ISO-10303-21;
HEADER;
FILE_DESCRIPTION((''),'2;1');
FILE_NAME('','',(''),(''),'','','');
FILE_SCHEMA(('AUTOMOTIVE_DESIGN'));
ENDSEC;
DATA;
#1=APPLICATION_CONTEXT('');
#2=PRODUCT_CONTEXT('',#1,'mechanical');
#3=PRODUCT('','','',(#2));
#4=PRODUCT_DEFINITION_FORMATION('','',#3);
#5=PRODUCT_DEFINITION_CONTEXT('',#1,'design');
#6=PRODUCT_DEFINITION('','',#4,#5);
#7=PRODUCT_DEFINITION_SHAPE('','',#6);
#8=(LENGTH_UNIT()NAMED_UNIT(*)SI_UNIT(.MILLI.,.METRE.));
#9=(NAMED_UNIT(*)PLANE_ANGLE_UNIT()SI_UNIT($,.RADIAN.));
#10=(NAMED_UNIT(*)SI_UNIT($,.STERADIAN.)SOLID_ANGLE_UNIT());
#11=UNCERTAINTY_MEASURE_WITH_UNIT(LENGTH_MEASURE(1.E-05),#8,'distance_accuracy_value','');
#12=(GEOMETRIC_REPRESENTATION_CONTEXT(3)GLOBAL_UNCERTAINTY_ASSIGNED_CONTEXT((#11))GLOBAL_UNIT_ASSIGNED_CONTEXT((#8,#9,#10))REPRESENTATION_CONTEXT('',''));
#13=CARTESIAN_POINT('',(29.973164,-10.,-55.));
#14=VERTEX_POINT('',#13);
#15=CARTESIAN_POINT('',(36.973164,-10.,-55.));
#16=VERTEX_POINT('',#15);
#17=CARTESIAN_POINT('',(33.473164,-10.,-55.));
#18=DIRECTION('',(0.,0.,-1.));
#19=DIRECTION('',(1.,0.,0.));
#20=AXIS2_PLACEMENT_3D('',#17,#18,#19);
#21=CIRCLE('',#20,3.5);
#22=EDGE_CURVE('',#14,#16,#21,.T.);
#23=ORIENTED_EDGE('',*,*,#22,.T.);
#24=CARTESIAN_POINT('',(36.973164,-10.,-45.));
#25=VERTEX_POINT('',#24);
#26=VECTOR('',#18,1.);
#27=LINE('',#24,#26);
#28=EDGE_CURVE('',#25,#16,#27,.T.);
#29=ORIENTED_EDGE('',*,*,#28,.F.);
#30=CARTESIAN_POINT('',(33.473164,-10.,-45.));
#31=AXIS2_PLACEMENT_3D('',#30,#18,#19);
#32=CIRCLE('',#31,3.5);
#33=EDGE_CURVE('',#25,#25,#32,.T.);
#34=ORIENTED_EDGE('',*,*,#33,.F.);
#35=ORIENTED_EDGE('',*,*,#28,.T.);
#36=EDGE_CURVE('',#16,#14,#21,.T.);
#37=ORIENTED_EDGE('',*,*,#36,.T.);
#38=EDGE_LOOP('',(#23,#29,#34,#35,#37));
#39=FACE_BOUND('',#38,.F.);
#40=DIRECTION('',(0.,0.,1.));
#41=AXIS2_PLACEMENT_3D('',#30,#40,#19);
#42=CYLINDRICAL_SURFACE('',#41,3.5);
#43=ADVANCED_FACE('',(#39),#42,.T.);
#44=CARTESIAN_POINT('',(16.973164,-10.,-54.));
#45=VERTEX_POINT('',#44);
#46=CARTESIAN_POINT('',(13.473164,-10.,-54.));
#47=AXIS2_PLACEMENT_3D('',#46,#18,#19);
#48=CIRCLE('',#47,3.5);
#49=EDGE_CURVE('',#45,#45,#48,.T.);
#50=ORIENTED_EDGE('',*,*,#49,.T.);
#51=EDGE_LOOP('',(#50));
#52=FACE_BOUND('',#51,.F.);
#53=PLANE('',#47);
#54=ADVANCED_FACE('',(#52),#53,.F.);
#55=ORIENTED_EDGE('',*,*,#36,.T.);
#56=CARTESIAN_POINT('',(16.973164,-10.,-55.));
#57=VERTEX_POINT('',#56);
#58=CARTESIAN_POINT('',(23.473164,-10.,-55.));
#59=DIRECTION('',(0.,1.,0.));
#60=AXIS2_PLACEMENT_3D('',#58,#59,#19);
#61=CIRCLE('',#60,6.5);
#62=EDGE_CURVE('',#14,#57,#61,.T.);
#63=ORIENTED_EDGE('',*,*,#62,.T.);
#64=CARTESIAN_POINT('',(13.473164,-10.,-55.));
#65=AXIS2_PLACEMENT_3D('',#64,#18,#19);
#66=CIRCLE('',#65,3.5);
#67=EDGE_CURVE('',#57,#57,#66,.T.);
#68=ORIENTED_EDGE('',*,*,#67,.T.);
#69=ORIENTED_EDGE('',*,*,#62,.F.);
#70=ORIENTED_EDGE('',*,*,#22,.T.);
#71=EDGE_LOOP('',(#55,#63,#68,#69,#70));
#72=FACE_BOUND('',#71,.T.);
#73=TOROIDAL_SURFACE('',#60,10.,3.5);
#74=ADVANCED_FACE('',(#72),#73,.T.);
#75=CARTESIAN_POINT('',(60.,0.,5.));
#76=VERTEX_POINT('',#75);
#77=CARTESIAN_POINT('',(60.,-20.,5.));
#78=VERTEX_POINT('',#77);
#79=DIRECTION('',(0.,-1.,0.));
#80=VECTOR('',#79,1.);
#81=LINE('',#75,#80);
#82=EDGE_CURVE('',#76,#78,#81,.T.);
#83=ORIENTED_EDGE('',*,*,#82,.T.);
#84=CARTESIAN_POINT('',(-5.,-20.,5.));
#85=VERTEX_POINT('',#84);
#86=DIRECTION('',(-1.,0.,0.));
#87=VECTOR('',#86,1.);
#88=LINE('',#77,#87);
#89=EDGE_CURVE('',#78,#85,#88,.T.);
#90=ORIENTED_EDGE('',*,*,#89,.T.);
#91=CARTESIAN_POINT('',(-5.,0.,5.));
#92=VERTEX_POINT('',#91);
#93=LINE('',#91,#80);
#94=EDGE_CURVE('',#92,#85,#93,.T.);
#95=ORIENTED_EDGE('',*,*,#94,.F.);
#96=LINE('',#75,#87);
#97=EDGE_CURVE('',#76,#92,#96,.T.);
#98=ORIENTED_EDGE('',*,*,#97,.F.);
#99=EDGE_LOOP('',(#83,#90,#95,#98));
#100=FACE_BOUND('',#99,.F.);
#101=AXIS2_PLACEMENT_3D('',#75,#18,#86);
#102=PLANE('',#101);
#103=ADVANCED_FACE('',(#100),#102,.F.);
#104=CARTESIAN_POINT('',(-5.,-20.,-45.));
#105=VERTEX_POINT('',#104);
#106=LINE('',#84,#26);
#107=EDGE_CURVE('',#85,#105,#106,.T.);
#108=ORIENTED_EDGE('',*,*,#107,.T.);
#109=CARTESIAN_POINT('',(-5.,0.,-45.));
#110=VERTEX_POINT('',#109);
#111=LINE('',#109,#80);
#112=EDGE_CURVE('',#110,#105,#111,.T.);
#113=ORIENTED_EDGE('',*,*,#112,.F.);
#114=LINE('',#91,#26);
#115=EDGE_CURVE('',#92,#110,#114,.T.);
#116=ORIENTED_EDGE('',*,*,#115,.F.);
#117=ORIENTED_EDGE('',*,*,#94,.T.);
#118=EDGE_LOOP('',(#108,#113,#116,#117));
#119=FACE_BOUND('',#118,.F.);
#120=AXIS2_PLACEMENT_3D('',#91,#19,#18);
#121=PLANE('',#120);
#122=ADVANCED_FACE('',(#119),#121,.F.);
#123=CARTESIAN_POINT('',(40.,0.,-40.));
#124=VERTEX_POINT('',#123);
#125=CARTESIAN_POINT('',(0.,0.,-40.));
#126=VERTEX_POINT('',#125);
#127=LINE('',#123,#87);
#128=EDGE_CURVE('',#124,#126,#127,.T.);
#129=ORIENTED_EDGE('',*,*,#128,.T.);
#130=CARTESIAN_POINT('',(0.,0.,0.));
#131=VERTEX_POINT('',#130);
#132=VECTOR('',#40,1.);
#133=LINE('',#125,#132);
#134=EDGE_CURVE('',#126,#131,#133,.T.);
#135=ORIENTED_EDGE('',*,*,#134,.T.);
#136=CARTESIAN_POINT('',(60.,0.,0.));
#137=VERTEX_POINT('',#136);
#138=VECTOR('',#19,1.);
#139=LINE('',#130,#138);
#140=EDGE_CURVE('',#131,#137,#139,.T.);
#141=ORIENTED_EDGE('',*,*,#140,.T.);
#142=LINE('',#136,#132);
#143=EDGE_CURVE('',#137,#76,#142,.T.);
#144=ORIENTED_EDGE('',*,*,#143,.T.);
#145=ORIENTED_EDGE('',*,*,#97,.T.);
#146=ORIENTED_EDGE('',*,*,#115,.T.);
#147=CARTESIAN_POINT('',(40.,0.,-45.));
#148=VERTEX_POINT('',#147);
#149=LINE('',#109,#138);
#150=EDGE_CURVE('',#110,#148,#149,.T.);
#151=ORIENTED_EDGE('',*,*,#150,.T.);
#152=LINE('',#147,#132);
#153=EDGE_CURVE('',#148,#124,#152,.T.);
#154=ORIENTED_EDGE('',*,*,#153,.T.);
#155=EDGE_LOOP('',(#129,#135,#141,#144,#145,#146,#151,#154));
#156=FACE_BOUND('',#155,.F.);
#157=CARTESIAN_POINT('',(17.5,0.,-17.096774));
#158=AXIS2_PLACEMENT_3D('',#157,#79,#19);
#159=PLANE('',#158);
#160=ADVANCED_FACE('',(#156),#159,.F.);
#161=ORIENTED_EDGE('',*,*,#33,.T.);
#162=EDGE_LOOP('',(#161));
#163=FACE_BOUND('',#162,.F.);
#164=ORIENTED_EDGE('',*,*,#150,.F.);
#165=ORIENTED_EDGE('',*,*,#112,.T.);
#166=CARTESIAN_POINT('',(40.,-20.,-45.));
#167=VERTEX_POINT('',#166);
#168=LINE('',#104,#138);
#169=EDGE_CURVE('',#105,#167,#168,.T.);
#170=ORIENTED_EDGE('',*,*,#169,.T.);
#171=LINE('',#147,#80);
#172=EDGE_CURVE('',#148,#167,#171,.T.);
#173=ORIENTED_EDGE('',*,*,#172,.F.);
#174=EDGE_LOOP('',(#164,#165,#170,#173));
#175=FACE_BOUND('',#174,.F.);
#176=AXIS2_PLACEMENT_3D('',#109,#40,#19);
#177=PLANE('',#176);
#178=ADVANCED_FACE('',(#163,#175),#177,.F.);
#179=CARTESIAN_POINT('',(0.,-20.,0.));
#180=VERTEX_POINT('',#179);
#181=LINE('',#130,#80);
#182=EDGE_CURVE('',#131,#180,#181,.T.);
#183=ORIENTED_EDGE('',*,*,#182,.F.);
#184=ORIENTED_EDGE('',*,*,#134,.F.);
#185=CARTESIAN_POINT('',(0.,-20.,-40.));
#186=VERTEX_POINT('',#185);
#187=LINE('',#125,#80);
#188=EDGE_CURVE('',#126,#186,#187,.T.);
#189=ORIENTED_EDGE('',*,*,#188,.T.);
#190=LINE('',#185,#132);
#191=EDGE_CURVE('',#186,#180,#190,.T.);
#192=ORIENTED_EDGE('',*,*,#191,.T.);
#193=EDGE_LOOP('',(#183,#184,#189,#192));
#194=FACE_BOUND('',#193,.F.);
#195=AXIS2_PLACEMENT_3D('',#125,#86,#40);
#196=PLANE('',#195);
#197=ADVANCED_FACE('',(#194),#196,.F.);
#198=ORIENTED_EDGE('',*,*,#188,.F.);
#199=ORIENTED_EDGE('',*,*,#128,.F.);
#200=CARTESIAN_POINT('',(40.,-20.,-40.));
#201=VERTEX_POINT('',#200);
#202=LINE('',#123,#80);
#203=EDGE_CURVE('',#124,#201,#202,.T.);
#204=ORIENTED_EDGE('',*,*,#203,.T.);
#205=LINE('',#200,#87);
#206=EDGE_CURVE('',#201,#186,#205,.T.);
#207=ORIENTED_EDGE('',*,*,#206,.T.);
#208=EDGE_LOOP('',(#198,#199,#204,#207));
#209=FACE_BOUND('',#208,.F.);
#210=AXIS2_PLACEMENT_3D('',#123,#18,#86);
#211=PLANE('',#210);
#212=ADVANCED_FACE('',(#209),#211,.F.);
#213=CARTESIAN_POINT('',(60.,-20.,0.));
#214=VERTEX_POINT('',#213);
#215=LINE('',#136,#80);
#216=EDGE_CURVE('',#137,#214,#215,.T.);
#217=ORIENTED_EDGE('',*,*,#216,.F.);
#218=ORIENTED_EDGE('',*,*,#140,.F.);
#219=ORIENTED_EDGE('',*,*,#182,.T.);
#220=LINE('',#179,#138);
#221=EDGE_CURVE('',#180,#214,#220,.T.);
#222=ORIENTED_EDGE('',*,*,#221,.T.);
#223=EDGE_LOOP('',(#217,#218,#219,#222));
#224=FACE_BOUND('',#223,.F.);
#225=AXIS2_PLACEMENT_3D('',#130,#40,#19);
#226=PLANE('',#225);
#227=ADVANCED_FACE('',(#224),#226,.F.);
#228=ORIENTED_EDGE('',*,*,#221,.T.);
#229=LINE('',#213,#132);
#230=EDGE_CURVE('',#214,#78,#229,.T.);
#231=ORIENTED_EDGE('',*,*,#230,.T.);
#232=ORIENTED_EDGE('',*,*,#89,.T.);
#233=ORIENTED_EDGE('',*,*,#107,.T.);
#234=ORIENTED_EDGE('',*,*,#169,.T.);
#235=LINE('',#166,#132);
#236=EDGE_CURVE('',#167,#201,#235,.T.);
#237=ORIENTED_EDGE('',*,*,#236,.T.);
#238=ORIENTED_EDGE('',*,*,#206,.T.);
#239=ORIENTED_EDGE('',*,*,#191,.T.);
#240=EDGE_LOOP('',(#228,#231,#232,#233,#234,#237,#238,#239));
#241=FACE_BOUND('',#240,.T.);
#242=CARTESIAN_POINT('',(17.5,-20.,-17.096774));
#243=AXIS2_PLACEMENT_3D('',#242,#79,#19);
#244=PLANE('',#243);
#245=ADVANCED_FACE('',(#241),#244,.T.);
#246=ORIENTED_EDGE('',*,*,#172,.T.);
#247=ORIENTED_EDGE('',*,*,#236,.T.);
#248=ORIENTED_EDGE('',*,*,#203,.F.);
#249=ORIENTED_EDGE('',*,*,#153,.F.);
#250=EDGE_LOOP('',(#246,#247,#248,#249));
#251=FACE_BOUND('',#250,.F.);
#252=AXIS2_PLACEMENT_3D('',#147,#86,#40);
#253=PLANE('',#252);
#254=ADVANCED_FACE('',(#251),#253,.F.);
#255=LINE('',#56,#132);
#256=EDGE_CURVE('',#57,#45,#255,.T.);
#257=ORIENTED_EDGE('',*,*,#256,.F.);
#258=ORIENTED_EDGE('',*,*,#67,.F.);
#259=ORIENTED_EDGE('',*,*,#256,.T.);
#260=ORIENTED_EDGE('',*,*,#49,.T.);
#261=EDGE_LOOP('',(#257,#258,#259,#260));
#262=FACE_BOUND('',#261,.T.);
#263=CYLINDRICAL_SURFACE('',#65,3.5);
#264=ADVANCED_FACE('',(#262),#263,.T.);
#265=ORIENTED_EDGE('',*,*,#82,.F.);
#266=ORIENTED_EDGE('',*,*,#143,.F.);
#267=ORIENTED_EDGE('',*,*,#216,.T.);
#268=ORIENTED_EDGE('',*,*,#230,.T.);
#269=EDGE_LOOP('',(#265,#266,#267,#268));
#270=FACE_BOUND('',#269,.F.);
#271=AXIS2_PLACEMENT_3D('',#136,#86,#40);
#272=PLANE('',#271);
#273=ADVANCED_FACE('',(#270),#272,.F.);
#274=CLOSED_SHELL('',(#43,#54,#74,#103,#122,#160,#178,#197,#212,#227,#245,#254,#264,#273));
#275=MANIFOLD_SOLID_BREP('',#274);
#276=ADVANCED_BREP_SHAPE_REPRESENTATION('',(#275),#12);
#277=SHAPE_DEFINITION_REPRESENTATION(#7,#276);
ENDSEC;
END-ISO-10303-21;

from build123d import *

# Parameters (mm, degrees)
F1_DEPTH  = 20
F3_R      = 3.5
F4_DEPTH  = 10
F8_R      = 3.5
F9_DEPTH  = 1
F9_FACE_R = 3.5


with BuildPart() as f1:
    # F0 (on Front) → F1 (new body)
    with BuildSketch(Plane.XZ):
        Polygon((0, -40), (0, 0), (60, 0), (60, 5), (-5, 5), (-5, -45), (40, -45), (40, -40), align=None)
    extrude(amount=F1_DEPTH)

    # F3 (on offset) → F4 (join)
    with BuildSketch(Plane(origin=(0, 0, -45), x_dir=(1, 0, 0), z_dir=(0, 0, -1))):
        with Locations((33.4731638432, 10)):
            Circle(F3_R)
    extrude(amount=F4_DEPTH)



with BuildPart() as f9:
    # F8 (on offset) → F9 (new body)
    with BuildSketch(Plane(origin=(0, 0, -55), x_dir=(1, 0, 0), z_dir=(0, 0, -1))):
        with Locations((13.4731638432, 10)):
            Circle(F8_R)
    extrude(amount=-F9_DEPTH)


with BuildPart() as f1_1:
    add(f1.part)

    add(f9.part)  # F10 merges F9
    # F10: sweep along a path in F6
    with BuildLine(Plane(origin=(0, -10, 0), x_dir=(-1, 0, 0), z_dir=(0, 1, 0))) as f10_path:
        ThreePointArc((-33.4731638432, -55), (-23.4731638432, -65), (-13.4731638432, -55))
    # F9_face (on face) → F10 (sweep)
    with BuildSketch(Plane(origin=(13.4731638432, -10, -55), x_dir=(1, 0, 0), z_dir=(0, 0, -1))):
        Circle(F9_FACE_R)
    sweep(path=f10_path.line)


solid = f1_1.part
